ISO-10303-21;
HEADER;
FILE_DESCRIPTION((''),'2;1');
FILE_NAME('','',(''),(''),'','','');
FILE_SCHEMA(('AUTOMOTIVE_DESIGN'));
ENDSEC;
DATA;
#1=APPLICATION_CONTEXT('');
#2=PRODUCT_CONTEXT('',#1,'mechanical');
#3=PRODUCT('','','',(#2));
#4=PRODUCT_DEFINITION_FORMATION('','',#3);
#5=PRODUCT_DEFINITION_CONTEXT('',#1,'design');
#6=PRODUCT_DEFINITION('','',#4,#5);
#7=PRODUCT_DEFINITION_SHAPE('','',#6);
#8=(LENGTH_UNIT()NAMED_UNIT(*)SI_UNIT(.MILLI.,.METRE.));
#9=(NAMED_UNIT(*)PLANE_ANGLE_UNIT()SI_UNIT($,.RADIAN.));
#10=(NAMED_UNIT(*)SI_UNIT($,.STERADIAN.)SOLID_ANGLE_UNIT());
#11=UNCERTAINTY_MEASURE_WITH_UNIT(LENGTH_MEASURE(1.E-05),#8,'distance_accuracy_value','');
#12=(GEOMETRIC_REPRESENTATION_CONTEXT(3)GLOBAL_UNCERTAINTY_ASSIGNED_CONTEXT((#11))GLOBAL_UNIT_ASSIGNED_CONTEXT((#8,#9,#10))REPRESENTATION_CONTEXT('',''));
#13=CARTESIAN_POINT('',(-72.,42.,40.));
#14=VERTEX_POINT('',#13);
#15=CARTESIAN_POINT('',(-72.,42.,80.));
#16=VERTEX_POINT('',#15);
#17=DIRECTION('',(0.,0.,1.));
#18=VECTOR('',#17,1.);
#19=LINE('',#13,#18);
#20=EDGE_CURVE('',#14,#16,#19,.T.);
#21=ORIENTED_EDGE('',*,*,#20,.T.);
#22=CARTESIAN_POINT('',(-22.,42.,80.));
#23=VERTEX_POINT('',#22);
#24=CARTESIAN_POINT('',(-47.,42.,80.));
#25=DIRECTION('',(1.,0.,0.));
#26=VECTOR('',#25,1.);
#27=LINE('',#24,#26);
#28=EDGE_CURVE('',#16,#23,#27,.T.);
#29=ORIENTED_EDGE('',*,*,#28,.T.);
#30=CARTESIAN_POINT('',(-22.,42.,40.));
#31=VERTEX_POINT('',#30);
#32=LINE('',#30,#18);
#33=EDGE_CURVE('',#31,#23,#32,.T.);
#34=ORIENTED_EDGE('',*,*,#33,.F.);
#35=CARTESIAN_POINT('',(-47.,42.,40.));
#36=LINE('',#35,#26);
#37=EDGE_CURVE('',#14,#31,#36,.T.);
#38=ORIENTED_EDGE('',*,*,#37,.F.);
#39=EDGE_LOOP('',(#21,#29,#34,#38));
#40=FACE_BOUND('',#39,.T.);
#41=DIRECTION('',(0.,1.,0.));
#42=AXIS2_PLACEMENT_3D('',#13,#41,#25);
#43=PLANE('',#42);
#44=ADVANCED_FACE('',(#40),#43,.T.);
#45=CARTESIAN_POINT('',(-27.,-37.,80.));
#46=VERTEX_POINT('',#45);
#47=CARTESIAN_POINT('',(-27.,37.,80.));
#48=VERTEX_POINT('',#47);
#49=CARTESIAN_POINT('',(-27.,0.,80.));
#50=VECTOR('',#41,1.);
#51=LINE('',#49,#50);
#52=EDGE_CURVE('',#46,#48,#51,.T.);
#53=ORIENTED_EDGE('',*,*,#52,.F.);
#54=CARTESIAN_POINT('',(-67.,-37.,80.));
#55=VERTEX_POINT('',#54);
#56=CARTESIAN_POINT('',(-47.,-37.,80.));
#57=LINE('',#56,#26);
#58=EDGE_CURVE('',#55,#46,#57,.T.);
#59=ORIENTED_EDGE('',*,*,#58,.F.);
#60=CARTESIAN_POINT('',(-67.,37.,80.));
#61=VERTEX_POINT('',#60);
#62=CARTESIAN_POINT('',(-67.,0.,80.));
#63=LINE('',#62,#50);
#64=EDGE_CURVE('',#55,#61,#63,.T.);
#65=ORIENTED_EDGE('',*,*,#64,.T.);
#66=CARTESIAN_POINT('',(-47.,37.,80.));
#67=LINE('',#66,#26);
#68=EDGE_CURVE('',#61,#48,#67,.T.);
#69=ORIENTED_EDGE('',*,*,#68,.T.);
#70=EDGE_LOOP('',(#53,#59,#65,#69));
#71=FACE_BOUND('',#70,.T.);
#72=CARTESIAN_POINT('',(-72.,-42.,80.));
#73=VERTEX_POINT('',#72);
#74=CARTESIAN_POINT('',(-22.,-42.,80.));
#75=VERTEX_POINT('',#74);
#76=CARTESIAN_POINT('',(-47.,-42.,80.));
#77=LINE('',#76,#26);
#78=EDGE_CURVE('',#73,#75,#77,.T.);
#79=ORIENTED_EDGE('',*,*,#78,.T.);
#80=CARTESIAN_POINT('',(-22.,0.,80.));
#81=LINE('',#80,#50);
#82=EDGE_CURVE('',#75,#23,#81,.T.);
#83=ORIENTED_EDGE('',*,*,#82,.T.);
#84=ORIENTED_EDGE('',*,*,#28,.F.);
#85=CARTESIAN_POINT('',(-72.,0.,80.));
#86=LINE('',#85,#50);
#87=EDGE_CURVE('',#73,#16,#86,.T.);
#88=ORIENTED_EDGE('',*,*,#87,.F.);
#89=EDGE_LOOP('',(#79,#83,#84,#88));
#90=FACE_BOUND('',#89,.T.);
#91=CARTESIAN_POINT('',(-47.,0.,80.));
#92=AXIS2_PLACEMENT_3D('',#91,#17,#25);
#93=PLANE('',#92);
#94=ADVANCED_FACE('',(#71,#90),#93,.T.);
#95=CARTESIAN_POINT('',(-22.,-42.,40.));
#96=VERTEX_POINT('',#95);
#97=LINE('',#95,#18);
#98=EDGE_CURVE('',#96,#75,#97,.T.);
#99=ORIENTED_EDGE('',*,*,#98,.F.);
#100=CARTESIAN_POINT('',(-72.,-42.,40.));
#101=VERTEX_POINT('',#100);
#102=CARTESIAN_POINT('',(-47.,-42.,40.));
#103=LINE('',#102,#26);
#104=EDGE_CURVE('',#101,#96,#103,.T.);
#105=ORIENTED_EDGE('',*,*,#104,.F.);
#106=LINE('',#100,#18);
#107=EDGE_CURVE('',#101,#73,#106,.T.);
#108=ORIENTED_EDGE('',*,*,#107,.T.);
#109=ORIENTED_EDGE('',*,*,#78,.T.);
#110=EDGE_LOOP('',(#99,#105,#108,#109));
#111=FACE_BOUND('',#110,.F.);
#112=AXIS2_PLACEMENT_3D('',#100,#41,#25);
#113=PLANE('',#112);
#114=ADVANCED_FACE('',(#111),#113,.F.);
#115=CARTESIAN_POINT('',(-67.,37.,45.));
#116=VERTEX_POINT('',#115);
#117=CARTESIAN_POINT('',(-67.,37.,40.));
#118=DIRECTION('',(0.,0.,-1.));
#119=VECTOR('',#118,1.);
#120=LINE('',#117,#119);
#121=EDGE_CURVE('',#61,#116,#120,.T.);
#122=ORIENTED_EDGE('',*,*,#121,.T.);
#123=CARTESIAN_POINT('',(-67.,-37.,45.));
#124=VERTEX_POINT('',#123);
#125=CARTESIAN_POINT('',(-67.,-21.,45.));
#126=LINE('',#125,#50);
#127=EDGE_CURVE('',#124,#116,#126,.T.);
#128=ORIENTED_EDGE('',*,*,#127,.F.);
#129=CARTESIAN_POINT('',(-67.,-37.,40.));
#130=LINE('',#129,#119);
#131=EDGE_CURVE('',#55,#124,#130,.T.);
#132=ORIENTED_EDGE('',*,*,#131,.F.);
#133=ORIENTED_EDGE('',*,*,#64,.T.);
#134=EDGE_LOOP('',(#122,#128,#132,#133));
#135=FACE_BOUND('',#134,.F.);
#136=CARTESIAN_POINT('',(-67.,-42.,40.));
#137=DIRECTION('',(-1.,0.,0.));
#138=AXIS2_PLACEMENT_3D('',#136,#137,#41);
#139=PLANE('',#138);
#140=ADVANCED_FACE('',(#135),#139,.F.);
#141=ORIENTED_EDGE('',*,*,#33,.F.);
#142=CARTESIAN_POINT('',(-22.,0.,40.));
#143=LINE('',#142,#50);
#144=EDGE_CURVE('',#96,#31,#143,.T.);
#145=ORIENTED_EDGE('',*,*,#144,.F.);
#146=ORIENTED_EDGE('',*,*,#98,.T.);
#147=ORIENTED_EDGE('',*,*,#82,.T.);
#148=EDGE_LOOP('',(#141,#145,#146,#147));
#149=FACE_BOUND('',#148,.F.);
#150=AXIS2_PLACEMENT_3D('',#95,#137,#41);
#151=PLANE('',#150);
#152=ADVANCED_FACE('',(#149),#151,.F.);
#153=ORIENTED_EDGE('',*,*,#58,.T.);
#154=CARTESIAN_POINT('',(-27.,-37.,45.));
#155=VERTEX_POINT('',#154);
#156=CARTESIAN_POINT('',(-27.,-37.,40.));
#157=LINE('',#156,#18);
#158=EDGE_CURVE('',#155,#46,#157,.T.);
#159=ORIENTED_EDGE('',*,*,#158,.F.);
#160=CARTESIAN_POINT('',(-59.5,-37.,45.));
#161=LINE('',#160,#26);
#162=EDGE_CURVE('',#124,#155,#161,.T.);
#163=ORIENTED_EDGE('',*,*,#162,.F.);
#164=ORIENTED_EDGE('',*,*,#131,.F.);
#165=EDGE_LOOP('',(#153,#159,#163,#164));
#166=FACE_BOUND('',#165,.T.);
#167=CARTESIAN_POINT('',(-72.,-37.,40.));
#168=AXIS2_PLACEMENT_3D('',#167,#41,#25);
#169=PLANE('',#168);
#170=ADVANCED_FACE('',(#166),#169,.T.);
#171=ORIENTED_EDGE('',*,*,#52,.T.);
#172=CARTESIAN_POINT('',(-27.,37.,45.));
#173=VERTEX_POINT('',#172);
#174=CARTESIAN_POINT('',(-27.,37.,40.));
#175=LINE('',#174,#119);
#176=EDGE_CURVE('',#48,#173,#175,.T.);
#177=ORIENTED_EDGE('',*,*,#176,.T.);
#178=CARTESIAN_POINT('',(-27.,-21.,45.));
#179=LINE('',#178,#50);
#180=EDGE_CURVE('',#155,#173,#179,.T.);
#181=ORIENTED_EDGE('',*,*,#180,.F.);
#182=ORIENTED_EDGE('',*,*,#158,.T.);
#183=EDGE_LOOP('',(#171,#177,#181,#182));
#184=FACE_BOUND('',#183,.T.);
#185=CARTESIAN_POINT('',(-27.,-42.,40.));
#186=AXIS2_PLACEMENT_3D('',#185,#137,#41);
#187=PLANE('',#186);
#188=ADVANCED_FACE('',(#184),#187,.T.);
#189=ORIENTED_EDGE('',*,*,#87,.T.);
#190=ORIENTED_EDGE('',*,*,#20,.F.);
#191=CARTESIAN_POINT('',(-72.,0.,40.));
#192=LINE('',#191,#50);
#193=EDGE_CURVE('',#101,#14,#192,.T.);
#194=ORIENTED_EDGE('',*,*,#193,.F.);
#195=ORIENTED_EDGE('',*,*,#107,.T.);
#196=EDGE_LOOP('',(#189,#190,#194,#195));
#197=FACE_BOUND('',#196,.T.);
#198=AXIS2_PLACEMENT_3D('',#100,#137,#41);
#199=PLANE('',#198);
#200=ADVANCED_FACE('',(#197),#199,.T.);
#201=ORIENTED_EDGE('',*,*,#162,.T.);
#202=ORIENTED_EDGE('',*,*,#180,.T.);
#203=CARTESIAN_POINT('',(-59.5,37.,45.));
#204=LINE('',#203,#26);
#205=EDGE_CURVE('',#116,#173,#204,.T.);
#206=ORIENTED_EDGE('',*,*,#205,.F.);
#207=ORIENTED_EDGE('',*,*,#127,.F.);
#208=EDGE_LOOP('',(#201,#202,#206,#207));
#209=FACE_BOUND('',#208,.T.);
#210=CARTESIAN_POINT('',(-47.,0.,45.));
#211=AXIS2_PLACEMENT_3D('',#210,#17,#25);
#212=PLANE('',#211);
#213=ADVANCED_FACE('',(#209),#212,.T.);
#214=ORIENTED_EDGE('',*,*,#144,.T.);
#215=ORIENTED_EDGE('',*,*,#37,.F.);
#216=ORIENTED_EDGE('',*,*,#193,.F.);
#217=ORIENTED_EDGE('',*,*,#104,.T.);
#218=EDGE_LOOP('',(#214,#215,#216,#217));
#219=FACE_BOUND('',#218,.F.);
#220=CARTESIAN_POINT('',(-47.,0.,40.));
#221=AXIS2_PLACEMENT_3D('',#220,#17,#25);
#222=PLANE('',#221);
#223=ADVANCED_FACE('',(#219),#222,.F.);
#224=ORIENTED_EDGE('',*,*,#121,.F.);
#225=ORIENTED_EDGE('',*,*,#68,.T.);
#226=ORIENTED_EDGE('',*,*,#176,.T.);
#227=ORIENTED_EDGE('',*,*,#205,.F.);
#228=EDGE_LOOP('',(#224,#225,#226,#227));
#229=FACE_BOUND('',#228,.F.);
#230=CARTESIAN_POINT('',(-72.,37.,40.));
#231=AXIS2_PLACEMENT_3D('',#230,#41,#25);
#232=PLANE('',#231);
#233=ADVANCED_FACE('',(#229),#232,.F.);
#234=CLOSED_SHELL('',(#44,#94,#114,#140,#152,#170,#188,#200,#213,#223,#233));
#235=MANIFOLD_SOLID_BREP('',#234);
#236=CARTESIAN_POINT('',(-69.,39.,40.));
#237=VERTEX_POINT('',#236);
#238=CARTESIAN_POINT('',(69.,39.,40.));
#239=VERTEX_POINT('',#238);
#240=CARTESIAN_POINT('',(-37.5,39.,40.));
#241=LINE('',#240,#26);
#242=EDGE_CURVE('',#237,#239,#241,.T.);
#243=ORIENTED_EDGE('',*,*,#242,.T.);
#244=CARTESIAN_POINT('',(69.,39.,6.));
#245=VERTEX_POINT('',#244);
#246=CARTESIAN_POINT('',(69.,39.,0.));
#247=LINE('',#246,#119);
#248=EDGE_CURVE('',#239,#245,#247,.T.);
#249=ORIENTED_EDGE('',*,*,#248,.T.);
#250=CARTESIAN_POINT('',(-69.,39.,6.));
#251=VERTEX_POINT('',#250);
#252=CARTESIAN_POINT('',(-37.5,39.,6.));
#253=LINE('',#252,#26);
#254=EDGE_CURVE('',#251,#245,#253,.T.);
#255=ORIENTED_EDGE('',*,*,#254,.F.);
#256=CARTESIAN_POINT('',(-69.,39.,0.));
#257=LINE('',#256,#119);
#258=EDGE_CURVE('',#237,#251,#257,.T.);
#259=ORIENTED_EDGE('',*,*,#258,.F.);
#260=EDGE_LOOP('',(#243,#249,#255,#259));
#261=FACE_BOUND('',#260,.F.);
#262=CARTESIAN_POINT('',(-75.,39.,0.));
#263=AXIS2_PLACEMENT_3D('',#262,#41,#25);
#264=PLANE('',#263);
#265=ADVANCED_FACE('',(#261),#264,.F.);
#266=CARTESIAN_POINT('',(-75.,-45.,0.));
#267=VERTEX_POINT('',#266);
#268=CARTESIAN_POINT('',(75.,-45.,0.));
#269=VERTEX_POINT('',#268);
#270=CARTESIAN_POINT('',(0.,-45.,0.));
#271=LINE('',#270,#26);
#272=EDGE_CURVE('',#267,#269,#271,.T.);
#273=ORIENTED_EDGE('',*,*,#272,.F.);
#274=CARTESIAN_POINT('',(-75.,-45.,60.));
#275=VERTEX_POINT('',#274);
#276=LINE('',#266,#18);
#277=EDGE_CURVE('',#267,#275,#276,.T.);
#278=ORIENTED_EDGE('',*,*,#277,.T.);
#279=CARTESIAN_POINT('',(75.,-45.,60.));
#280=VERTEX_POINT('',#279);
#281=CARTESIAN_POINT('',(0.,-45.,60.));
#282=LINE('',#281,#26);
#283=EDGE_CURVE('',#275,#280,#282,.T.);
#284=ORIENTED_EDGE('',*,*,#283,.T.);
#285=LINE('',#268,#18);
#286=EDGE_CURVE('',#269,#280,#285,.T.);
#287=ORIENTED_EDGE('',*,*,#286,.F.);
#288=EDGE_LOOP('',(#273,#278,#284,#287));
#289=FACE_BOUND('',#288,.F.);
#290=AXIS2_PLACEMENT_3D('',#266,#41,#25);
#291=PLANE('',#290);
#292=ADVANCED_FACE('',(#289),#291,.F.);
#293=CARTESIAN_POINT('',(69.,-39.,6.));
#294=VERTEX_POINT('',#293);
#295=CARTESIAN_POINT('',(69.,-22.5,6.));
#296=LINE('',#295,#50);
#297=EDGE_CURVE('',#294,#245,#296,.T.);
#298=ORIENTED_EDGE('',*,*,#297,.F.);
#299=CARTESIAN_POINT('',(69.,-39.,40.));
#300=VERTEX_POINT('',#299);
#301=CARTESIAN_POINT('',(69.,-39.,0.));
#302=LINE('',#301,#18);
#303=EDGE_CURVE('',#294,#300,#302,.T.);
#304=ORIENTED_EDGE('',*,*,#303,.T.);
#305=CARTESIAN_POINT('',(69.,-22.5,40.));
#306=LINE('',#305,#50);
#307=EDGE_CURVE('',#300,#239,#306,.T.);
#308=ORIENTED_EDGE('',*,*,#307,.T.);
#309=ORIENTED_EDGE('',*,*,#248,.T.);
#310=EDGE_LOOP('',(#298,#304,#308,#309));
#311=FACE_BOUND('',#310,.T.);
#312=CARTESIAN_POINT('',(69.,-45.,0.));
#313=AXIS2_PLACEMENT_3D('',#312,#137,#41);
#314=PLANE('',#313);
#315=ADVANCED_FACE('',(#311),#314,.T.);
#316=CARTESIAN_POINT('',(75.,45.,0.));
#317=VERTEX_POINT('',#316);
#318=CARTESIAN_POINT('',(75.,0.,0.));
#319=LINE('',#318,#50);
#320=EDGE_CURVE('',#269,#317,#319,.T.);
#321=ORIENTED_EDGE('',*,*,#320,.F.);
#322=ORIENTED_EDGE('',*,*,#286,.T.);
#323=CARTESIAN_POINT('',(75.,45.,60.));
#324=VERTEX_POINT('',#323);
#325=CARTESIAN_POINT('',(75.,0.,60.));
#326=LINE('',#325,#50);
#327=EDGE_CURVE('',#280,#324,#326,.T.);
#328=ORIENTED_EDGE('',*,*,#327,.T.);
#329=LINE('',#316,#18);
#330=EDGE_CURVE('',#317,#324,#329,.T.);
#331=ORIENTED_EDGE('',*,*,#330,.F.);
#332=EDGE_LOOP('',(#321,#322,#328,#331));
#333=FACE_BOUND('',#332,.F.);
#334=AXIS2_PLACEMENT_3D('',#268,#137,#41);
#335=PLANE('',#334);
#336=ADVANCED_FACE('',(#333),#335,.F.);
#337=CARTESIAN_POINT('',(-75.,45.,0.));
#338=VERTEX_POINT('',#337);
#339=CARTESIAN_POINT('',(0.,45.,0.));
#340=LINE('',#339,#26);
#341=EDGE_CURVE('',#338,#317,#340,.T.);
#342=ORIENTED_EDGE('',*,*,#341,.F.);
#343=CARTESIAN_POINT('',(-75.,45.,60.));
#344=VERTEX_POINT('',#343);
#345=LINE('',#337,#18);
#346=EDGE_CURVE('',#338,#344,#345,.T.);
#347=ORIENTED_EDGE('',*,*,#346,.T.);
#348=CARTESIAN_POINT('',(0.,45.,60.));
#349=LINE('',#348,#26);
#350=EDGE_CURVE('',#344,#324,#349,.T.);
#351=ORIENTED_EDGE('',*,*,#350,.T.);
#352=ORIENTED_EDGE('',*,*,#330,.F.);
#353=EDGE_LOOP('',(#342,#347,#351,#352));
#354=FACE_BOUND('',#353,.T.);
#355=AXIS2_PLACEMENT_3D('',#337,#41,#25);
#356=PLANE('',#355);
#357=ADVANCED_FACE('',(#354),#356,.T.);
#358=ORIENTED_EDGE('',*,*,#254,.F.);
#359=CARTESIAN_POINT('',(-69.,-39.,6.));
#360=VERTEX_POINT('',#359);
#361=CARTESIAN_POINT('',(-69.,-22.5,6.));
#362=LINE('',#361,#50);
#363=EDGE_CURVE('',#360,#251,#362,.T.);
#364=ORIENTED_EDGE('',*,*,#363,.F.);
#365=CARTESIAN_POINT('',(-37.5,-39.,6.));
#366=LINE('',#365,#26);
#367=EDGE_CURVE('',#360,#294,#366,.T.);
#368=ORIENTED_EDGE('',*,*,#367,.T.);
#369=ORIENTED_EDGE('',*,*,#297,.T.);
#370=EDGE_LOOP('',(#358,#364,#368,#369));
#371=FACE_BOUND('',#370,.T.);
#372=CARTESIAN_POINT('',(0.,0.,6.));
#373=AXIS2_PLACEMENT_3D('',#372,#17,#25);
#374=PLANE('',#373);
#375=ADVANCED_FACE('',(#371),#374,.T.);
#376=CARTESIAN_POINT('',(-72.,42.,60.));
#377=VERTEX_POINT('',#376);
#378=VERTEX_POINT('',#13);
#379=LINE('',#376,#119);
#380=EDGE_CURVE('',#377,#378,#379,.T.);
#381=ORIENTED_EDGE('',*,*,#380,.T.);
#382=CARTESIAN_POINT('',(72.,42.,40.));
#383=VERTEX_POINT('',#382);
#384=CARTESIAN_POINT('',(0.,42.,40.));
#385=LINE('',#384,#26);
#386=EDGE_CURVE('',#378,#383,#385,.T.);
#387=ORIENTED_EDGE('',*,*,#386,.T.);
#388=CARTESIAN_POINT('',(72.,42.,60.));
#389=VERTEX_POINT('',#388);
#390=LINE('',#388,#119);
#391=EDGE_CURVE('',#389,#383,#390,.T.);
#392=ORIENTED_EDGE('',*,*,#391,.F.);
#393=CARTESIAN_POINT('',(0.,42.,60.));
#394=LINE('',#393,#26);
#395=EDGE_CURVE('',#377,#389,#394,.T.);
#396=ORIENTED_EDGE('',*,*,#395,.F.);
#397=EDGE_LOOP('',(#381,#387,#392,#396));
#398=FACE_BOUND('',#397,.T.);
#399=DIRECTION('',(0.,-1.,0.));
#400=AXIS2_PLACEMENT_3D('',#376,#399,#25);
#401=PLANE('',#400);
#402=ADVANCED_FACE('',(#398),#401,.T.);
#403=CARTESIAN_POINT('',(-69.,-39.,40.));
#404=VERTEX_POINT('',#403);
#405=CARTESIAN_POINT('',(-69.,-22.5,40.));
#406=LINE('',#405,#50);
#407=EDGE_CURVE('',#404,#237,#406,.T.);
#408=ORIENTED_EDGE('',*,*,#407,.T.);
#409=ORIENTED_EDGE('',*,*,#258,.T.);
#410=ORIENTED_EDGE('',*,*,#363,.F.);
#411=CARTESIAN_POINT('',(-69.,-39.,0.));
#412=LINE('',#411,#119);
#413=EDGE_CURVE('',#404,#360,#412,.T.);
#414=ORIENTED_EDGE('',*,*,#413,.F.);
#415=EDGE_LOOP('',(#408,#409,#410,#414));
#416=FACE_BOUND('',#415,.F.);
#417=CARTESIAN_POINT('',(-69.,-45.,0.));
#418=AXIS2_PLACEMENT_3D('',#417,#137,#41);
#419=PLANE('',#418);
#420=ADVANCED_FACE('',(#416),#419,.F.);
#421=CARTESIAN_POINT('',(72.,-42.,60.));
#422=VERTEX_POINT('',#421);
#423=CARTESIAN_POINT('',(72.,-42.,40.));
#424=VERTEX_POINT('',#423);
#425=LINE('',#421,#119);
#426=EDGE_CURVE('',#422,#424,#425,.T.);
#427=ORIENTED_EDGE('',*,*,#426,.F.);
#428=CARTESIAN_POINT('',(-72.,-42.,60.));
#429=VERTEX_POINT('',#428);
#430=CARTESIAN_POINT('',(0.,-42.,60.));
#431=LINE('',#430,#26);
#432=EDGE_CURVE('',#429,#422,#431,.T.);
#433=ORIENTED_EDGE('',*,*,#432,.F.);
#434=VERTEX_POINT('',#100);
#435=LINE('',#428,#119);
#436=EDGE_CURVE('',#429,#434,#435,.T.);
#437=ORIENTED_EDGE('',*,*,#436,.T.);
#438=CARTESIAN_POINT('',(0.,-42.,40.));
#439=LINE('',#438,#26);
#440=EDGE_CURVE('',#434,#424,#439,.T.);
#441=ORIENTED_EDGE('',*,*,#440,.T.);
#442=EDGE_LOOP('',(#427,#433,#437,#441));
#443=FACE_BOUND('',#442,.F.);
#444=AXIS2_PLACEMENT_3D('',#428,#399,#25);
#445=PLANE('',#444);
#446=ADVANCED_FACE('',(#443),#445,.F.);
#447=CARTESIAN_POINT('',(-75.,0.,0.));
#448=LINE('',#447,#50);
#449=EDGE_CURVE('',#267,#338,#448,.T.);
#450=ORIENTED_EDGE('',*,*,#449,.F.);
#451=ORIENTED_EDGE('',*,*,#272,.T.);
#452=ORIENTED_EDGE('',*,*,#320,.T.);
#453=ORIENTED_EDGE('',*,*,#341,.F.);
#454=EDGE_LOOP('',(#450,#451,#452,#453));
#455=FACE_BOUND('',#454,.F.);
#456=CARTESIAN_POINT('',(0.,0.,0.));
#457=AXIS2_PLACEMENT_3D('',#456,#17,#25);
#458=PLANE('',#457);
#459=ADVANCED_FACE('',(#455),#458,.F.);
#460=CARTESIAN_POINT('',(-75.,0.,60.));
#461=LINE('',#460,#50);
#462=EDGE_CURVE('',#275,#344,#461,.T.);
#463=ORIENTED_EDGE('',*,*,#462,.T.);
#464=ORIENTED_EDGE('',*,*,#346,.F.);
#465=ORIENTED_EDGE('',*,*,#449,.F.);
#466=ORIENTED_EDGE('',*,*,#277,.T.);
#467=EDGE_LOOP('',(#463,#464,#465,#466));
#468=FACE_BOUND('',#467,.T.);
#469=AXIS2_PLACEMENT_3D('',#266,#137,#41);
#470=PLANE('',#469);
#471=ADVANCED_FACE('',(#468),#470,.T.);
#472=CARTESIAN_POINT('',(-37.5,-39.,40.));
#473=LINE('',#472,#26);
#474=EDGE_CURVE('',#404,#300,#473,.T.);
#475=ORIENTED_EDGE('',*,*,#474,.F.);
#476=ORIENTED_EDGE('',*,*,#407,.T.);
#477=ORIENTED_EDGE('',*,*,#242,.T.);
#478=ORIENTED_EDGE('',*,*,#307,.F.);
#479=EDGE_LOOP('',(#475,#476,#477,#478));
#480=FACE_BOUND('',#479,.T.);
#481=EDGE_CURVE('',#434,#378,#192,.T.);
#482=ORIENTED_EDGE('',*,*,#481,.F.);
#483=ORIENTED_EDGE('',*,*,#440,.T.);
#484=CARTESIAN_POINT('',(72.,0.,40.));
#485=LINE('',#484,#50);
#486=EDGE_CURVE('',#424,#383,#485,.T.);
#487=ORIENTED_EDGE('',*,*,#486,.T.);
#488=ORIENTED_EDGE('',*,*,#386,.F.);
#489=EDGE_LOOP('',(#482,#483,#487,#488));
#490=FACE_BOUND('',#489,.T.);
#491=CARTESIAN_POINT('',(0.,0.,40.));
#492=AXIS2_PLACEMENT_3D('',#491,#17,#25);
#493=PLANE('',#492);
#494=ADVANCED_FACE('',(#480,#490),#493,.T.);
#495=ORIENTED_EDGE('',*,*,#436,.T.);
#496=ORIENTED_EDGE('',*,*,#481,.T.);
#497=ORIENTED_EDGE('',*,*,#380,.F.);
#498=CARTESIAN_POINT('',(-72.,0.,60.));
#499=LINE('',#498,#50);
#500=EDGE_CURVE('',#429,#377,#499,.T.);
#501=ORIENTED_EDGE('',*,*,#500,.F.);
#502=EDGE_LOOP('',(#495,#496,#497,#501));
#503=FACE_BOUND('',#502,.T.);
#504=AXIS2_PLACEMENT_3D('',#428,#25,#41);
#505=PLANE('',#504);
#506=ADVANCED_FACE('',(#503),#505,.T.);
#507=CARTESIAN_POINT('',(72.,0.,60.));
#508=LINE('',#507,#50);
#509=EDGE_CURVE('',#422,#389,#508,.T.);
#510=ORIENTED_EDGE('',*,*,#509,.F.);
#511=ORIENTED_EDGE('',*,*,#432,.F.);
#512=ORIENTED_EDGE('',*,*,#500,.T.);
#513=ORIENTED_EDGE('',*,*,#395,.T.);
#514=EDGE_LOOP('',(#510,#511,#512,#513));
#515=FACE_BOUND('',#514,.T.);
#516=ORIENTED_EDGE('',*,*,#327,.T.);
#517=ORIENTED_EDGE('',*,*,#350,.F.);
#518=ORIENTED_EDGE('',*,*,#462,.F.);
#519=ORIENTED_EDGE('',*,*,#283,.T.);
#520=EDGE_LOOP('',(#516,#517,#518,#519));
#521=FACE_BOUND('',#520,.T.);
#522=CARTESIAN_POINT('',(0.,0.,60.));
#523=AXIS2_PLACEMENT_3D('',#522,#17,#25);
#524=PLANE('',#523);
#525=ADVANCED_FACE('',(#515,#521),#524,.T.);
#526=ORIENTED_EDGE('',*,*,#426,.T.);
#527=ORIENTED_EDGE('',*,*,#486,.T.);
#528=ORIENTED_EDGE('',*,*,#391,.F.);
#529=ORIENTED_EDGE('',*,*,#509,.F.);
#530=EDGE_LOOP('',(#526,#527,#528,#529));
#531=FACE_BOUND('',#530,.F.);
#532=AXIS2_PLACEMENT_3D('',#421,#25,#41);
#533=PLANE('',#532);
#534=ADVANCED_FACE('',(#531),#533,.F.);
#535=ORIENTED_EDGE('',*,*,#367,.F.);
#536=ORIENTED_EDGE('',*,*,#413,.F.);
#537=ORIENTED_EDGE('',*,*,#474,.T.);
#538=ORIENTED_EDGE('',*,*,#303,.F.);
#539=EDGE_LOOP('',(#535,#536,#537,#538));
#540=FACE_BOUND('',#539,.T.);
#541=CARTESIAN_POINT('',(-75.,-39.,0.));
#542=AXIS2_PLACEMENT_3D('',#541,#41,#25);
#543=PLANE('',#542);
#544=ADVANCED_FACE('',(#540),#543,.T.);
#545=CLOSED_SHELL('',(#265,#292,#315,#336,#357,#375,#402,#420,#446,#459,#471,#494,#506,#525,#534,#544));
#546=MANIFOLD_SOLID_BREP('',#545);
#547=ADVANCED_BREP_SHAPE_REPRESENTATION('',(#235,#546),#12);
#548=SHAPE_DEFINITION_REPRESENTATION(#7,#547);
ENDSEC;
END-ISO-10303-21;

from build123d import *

# Parameters (mm, degrees)
F0_W     = 150
F0_H     = 90
F1_DEPTH = 60
F2_T     = -6
F3_W     = 144
F3_H     = 84
F4_DEPTH = 20
F5_W     = 50
F5_H     = 84
F6_DEPTH = 40
F7_T     = -5


with BuildPart() as f1:
    # F0 (on Top) → F1 (new body)
    with BuildSketch(Plane.XY):
        Rectangle(F0_W, F0_H)
    extrude(amount=F1_DEPTH)

    # F2
    f2_openings = [f1.faces().sort_by_distance(p)[0] for p in [
        (0, 0, 60),
    ]]
    offset(amount=F2_T, openings=f2_openings)

    # F3 (on face) → F4 (cut)
    with BuildSketch(Plane.XY.offset(60)):
        Rectangle(F3_W, F3_H)
    extrude(amount=-F4_DEPTH, mode=Mode.SUBTRACT)


with BuildPart() as f6:
    # F5 (on face) → F6 (new body)
    with BuildSketch(Plane.XY.offset(40)):
        with Locations((-47, 0)):
            Rectangle(F5_W, F5_H)
    extrude(amount=F6_DEPTH)

    # F7
    f7_openings = [f6.faces().sort_by_distance(p)[0] for p in [
        (-47, 0, 80),
    ]]
    offset(amount=F7_T, openings=f7_openings)


solid = Compound([f1.part, f6.part])
